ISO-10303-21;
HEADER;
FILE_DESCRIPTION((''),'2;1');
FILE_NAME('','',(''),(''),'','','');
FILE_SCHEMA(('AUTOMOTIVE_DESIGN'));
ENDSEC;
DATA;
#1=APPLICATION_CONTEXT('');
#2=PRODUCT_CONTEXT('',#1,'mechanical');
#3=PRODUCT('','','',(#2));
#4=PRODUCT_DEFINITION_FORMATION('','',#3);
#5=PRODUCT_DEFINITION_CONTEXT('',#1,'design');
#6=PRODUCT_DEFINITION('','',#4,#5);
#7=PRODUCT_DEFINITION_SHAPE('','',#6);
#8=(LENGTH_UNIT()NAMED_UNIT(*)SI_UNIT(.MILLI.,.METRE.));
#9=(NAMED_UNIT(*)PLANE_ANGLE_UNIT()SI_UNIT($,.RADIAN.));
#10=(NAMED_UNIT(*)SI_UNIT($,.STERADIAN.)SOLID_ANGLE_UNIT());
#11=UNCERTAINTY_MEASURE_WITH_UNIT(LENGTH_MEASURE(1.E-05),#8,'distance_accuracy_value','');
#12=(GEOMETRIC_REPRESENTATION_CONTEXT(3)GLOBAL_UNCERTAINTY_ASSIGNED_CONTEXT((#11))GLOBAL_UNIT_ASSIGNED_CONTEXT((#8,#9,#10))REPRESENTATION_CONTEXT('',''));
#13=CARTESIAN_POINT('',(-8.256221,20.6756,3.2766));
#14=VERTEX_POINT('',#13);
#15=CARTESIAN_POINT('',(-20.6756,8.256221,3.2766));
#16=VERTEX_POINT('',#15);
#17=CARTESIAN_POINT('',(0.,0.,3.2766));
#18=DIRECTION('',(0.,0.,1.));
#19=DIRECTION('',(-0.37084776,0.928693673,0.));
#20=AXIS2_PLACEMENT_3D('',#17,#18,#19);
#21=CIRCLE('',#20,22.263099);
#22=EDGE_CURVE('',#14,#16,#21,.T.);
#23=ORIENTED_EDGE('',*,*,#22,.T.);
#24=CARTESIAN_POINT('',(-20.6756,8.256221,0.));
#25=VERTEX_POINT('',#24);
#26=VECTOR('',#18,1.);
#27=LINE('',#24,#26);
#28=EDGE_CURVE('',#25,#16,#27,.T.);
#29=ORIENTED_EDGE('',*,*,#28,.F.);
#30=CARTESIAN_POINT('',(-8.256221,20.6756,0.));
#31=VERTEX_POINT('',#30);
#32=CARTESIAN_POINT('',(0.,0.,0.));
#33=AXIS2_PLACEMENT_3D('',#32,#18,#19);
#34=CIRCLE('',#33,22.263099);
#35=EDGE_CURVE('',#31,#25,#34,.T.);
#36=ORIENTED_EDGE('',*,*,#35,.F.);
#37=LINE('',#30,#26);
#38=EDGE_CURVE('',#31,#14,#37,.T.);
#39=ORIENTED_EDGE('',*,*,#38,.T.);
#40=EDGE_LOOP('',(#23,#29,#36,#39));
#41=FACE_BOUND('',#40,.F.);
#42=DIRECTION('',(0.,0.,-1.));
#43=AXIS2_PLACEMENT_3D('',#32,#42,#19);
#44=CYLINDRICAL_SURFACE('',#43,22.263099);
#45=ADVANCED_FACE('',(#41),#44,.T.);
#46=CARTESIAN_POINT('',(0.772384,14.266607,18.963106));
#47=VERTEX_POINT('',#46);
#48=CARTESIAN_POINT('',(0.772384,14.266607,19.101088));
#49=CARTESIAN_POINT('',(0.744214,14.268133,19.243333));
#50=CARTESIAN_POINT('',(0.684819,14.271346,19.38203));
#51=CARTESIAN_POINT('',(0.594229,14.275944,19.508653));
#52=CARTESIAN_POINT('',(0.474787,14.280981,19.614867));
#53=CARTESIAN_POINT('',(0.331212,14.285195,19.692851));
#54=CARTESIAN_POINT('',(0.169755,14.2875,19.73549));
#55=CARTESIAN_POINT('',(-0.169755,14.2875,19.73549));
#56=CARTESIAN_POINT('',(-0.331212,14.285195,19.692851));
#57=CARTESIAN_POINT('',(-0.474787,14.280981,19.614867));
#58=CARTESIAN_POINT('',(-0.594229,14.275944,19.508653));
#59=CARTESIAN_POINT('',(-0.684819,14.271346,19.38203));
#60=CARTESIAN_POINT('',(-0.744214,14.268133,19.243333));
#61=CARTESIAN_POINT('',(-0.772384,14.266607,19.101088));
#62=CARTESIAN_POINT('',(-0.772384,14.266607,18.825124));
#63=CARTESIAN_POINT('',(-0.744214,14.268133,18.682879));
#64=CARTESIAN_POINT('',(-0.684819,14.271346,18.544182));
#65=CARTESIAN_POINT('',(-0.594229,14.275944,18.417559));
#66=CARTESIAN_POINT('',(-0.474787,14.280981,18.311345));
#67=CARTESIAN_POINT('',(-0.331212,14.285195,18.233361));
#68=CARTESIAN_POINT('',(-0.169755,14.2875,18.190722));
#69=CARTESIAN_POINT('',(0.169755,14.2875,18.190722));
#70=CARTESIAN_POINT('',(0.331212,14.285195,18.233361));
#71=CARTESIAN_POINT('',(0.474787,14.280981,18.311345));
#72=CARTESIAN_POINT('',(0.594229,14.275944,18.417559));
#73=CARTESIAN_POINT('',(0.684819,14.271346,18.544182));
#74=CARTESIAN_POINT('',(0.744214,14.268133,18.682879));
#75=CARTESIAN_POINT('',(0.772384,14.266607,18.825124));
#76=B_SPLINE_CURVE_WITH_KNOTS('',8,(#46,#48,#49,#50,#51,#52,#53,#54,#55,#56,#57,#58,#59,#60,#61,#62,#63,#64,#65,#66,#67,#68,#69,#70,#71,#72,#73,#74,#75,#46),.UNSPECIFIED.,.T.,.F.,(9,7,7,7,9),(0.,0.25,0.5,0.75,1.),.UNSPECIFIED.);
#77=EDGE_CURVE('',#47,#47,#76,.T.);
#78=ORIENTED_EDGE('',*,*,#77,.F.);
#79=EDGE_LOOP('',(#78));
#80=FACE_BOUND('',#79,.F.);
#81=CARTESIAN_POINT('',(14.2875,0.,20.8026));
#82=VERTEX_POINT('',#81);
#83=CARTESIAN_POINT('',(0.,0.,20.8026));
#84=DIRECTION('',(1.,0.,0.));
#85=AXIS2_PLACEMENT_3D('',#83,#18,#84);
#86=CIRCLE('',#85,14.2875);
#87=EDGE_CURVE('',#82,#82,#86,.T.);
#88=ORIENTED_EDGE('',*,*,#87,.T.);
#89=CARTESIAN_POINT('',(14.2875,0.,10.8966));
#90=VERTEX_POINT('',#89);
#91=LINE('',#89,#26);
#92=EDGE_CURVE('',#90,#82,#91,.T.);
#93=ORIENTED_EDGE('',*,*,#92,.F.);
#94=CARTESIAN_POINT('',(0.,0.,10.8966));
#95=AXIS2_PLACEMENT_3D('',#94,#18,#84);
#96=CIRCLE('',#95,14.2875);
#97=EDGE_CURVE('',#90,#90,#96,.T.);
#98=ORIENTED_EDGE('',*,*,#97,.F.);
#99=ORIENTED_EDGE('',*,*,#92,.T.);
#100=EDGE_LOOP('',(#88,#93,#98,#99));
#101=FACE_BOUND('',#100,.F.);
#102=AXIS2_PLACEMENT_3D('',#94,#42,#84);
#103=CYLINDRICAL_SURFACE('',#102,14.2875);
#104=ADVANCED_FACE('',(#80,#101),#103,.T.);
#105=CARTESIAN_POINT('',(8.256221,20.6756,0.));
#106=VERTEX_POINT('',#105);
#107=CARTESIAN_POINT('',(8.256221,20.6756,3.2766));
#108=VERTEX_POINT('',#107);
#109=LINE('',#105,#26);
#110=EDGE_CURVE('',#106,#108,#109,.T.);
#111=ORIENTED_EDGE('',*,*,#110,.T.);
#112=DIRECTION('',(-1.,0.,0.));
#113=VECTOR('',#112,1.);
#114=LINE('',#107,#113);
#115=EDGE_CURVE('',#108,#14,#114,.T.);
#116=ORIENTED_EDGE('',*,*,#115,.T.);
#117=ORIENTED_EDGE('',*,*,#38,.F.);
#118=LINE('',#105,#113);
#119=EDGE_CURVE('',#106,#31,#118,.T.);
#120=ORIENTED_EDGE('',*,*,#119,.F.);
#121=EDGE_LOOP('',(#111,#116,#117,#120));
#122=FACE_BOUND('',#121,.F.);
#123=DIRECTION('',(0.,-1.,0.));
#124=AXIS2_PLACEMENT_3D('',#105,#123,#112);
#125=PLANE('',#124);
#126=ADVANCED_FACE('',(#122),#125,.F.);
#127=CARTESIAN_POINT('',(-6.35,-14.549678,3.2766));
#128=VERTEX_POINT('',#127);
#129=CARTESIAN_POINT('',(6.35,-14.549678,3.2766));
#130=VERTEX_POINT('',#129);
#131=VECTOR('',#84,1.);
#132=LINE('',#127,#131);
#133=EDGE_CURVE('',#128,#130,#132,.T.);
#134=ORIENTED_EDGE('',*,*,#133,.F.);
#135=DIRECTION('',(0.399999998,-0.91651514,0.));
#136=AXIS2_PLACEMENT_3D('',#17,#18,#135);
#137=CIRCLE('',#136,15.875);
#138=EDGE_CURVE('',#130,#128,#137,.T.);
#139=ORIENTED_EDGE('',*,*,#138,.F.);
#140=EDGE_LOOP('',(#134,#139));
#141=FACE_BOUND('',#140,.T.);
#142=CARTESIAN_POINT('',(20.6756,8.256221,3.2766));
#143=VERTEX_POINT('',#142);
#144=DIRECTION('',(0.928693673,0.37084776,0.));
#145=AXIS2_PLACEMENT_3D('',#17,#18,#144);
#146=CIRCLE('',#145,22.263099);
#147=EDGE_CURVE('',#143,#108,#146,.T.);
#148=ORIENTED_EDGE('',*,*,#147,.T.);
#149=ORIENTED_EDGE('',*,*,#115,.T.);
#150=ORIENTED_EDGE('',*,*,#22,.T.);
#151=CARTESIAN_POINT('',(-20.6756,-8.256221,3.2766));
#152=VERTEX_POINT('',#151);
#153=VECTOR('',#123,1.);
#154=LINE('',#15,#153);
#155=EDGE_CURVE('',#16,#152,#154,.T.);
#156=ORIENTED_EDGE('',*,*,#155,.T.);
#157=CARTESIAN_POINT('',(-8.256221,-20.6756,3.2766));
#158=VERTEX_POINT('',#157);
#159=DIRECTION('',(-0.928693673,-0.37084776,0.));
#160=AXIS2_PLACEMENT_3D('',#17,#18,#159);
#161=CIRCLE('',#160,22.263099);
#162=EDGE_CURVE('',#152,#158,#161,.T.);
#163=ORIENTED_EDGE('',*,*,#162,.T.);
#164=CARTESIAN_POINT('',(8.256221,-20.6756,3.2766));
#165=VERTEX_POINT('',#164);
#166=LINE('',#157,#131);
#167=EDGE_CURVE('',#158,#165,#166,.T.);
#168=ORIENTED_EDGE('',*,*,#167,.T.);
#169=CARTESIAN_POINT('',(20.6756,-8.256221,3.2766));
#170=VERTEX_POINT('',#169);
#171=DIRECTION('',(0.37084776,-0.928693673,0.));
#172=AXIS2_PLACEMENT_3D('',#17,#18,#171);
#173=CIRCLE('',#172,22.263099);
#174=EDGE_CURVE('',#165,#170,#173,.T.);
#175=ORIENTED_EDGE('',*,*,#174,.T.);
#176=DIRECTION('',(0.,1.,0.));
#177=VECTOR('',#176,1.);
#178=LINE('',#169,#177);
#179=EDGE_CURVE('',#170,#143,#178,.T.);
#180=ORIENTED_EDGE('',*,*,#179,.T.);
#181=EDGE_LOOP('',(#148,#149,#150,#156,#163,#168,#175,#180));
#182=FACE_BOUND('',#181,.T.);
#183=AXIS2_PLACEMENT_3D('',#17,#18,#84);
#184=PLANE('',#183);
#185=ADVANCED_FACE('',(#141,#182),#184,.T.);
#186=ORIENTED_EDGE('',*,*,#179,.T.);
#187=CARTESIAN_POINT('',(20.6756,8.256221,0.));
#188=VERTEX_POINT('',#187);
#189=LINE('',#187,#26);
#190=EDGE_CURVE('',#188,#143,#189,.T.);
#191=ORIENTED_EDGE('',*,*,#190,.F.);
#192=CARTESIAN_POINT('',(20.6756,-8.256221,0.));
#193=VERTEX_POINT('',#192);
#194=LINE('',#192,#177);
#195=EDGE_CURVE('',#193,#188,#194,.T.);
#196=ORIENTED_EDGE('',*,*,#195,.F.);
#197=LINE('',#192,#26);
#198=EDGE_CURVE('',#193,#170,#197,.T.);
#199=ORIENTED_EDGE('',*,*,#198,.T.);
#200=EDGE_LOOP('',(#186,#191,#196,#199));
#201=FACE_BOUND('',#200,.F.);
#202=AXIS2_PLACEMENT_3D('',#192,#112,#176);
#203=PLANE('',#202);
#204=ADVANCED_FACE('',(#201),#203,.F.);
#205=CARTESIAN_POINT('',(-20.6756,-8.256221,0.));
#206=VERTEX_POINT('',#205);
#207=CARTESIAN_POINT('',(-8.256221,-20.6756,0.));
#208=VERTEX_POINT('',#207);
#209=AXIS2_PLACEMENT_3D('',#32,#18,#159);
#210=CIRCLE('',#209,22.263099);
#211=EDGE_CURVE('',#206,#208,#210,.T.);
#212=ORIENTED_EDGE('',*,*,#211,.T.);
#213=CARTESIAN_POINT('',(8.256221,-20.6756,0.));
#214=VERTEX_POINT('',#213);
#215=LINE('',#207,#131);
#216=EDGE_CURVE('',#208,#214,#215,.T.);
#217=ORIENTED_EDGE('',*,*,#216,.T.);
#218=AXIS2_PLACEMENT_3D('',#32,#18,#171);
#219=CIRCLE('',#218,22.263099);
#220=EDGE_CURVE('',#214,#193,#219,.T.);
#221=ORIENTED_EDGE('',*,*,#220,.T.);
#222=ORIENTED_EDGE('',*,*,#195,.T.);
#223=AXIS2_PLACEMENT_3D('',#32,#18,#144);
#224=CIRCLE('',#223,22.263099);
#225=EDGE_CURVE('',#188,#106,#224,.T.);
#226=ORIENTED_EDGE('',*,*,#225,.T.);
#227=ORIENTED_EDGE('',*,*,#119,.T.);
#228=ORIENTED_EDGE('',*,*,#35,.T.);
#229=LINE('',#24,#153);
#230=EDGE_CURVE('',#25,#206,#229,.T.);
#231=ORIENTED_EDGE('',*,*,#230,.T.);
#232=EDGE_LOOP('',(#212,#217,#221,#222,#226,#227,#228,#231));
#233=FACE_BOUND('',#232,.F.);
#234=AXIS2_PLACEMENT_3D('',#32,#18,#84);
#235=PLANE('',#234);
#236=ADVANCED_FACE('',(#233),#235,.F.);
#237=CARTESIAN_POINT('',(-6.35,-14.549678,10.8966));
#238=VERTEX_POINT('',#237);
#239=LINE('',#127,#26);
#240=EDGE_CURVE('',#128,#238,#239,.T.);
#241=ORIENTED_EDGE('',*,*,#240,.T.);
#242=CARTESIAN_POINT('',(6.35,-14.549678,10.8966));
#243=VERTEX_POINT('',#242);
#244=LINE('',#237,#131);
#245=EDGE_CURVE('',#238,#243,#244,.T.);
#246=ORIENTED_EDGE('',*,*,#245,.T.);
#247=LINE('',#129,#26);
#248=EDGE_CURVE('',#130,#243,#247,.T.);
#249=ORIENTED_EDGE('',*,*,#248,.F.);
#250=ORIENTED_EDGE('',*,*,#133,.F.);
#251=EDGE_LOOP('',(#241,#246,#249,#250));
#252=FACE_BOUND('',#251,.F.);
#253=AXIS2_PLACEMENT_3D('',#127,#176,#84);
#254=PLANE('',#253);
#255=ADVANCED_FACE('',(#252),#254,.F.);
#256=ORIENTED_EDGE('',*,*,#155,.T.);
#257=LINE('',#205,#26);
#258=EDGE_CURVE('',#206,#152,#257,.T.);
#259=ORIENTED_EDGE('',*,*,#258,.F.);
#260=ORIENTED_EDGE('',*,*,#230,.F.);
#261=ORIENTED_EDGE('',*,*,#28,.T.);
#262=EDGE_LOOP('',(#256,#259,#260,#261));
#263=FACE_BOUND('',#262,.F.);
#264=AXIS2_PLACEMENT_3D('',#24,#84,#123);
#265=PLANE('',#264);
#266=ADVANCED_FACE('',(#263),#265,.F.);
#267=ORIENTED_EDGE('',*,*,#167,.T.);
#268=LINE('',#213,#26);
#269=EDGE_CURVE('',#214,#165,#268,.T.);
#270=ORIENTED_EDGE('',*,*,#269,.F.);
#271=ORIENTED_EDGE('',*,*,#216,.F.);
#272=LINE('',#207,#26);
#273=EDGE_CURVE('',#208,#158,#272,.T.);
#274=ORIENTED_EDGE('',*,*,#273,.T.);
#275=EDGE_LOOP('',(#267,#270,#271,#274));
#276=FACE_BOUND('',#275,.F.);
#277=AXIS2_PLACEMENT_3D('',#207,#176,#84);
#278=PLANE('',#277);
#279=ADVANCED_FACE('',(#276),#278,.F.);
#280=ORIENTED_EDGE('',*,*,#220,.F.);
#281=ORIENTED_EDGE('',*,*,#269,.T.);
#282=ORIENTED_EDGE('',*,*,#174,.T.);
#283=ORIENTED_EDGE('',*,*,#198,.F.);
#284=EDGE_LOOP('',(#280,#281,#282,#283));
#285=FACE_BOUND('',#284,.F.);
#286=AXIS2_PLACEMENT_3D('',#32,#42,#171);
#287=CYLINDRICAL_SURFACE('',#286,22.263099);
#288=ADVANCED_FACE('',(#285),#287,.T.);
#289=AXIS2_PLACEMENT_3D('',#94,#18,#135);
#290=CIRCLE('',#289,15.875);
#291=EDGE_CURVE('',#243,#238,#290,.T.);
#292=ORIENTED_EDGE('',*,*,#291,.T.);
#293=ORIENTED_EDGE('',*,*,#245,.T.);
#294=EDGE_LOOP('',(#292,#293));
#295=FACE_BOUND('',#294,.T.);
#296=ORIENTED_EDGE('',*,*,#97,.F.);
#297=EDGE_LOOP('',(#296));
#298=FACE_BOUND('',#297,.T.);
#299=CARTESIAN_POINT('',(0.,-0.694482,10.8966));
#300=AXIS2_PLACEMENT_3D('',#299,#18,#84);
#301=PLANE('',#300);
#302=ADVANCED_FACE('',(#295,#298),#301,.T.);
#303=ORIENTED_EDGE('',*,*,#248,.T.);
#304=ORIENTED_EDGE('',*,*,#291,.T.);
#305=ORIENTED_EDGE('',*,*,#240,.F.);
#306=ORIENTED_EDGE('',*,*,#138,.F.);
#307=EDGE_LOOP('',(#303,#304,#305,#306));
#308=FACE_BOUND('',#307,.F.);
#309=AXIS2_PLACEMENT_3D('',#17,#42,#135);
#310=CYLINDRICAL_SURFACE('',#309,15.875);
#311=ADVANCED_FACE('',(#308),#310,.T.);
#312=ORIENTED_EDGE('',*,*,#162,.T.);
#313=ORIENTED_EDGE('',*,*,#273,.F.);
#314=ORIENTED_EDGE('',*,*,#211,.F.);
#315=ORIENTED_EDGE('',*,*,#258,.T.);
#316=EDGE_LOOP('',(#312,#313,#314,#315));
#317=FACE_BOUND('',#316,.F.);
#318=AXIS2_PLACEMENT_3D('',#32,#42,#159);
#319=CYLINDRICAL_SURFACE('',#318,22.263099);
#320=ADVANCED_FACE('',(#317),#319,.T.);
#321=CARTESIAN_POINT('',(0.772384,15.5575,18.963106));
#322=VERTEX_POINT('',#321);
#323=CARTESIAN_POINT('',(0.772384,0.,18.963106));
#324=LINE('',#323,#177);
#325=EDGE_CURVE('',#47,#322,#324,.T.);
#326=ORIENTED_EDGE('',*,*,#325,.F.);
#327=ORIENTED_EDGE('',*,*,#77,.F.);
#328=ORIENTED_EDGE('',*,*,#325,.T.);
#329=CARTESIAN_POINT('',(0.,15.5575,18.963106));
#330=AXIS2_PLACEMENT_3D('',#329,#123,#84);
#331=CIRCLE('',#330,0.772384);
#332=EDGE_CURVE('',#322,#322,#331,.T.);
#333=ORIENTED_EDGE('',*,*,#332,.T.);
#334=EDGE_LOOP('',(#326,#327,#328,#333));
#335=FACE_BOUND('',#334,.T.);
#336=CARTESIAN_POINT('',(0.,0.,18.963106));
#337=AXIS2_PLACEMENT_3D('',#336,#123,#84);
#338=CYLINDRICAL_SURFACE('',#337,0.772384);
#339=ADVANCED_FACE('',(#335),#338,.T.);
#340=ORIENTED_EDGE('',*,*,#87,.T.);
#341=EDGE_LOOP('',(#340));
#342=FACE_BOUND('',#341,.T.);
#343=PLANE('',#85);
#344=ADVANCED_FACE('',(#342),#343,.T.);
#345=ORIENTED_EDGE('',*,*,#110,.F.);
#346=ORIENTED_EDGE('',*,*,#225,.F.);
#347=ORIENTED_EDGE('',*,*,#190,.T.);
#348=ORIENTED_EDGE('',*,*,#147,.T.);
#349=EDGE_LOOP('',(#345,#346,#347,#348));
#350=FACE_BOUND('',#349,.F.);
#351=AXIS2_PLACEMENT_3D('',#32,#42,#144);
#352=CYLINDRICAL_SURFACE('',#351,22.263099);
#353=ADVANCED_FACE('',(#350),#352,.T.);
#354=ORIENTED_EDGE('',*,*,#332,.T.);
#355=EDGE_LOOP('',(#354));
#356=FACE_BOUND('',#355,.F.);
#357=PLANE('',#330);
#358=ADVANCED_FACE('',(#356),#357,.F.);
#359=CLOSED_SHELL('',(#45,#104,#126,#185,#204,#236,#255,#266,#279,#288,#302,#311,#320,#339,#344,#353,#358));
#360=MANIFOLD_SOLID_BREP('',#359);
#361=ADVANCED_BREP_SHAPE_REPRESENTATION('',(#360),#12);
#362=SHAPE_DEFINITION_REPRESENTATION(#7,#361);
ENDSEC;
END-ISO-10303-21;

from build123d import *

# Parameters (mm, degrees)
F1_DEPTH = 3.2766
F3_DEPTH = 7.62
F4_R     = 14.2875
F5_DEPTH = 9.906
F6_R     = 0.772384
F7_DEPTH = 15.5575


with BuildPart() as f1:
    # F0 (on Top) → F1 (new body)
    with BuildSketch(Plane.XY):
        with BuildLine():
            Line((8.256221, 20.6756), (-8.256221, 20.6756))
            ThreePointArc((-8.256221, 20.6756), (-15.742389, 15.742389), (-20.6756, 8.256221))
            Line((-20.6756, 8.256221), (-20.6756, -8.256221))
            ThreePointArc((-20.6756, -8.256221), (-15.742389, -15.742389), (-8.256221, -20.6756))
            Line((-8.256221, -20.6756), (8.256221, -20.6756))
            ThreePointArc((8.256221, -20.6756), (15.742389, -15.742389), (20.6756, -8.256221))
            Line((20.6756, -8.256221), (20.6756, 8.256221))
            ThreePointArc((20.6756, 8.256221), (15.742389, 15.742389), (8.256221, 20.6756))
        make_face()
    extrude(amount=F1_DEPTH)

    # F2 (on face) → F3 (join)
    with BuildSketch(Plane.XY.offset(3.2766)):
        with BuildLine():
            Line((-6.35, -14.549678), (6.35, -14.549678))
            ThreePointArc((6.35, -14.549678), (0, 15.875), (-6.35, -14.549678))
        make_face()
    extrude(amount=F3_DEPTH)

    # F4 (on face) → F5 (join)
    with BuildSketch(Plane.XY.offset(10.8966)):
        Circle(F4_R)
    extrude(amount=F5_DEPTH)

    # F6 (on Front) → F7 (join)
    with BuildSketch(Plane.XZ):
        with Locations((0, 18.963106)):
            Circle(F6_R)
    extrude(amount=-F7_DEPTH)


solid = f1.part
